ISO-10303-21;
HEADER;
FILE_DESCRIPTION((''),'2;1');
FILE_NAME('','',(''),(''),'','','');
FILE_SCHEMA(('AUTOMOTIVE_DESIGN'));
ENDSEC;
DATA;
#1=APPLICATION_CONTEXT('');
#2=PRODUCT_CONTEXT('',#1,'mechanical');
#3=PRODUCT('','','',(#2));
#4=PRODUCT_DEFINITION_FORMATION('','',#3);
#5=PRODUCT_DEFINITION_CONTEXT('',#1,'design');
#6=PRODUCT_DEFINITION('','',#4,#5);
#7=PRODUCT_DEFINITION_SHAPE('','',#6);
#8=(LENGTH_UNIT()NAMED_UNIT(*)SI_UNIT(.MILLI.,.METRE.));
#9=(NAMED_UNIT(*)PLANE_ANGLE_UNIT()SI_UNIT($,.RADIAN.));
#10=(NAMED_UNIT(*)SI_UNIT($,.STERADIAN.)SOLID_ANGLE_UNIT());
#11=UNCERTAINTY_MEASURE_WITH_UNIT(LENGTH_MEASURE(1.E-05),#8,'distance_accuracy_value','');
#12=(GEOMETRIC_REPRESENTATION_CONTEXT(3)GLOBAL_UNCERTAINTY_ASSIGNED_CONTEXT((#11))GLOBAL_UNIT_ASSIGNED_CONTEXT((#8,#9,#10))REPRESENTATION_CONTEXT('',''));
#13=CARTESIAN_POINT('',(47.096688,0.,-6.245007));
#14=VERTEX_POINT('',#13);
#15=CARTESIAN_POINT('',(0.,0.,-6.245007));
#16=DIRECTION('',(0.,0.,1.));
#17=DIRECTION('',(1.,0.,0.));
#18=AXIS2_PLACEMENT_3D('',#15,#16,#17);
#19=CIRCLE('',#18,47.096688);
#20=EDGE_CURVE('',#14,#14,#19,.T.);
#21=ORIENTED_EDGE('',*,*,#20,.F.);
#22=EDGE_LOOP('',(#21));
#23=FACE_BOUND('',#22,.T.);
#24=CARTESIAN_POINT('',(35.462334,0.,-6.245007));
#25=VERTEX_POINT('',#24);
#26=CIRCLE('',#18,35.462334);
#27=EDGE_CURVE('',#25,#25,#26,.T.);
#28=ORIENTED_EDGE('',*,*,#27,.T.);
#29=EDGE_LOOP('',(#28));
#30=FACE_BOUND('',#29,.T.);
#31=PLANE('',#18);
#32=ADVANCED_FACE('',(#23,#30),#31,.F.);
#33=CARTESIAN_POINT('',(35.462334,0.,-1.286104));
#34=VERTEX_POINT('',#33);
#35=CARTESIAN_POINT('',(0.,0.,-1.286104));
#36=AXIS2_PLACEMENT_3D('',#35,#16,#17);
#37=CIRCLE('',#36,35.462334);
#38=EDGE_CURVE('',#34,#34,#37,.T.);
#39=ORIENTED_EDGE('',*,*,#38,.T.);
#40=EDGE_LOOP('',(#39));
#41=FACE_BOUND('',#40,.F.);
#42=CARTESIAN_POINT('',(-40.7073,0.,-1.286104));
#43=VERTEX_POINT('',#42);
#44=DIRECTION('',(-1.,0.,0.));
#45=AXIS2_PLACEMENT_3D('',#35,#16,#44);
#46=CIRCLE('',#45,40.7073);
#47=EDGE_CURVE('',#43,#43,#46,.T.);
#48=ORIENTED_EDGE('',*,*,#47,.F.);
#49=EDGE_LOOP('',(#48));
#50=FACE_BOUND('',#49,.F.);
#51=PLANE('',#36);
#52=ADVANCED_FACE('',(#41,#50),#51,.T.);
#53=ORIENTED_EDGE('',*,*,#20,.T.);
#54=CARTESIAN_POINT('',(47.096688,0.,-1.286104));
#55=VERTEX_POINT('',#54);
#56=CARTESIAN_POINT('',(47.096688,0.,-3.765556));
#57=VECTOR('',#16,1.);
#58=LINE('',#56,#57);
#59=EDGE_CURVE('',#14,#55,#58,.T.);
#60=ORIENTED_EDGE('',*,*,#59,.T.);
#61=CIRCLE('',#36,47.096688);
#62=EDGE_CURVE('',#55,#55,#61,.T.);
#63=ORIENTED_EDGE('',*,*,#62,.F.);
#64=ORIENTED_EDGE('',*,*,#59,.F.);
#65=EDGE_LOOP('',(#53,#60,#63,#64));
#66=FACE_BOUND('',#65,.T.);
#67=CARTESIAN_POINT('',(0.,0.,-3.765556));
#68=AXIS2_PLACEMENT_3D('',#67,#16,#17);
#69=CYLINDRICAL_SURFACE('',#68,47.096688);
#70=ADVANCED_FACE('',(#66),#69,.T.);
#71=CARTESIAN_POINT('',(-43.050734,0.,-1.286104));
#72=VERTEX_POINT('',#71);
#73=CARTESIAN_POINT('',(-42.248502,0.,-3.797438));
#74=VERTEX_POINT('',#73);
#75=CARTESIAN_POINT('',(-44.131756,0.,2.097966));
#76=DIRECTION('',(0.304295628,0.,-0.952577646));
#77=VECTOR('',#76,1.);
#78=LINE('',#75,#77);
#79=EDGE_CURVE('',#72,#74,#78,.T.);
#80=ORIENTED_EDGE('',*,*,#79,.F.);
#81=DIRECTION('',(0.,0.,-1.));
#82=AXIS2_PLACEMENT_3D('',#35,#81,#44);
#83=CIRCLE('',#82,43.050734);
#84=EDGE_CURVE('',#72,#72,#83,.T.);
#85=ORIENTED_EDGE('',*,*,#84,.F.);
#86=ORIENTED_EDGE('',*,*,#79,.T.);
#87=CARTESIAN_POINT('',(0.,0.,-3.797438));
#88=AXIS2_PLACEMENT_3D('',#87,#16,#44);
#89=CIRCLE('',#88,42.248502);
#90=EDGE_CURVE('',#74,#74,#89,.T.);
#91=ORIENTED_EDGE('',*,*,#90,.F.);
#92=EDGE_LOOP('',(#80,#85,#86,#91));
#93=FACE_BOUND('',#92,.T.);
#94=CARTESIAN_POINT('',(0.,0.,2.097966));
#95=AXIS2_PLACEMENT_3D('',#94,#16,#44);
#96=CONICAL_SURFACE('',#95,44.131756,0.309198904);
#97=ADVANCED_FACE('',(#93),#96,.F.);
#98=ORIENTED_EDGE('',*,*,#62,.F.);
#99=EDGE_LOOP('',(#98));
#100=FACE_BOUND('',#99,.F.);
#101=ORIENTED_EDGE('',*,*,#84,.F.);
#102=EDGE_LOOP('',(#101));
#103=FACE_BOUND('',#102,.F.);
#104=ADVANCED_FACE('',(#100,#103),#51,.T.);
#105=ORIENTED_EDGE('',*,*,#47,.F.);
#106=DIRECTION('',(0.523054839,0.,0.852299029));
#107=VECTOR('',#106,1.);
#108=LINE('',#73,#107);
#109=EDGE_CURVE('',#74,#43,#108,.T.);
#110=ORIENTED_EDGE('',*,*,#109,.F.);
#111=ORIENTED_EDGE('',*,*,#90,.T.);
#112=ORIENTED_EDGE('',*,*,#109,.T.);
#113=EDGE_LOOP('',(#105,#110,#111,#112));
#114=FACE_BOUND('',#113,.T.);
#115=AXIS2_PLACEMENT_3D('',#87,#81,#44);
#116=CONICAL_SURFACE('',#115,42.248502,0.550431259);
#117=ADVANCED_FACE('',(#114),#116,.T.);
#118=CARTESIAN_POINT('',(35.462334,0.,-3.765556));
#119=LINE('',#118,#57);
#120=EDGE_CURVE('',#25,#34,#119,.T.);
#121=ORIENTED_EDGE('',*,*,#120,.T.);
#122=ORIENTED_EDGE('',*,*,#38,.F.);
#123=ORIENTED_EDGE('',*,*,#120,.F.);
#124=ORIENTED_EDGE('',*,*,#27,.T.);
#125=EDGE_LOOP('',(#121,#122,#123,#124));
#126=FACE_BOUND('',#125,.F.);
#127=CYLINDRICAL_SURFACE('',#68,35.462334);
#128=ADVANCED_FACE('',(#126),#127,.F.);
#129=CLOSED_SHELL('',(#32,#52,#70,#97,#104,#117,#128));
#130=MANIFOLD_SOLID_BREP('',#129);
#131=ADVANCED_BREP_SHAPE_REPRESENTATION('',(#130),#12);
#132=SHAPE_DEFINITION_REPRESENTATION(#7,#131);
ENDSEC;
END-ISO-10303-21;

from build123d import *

# Parameters (mm, degrees)
F0_W = 11.634353
F0_H = 4.958903


with BuildPart() as f1:
    # F0 (on Front) → F1 (revolve)
    with BuildSketch(Plane.XZ):
        with Locations((41.279511, -3.765556)):
            Rectangle(F0_W, F0_H)
    revolve(axis=Axis((0, 0, 18.222498), (0, 0, 1)))

    # F2 (on Front) → F3 (revolve, cut)
    with BuildSketch(Plane.XZ):
        Polygon((-38.6305, 2.097966), (-44.131756, 2.097966), (-42.248502, -3.797438), align=None)
    revolve(axis=Axis((0, 0, 18.222498), (0, 0, 1)), mode=Mode.SUBTRACT)


solid = f1.part
